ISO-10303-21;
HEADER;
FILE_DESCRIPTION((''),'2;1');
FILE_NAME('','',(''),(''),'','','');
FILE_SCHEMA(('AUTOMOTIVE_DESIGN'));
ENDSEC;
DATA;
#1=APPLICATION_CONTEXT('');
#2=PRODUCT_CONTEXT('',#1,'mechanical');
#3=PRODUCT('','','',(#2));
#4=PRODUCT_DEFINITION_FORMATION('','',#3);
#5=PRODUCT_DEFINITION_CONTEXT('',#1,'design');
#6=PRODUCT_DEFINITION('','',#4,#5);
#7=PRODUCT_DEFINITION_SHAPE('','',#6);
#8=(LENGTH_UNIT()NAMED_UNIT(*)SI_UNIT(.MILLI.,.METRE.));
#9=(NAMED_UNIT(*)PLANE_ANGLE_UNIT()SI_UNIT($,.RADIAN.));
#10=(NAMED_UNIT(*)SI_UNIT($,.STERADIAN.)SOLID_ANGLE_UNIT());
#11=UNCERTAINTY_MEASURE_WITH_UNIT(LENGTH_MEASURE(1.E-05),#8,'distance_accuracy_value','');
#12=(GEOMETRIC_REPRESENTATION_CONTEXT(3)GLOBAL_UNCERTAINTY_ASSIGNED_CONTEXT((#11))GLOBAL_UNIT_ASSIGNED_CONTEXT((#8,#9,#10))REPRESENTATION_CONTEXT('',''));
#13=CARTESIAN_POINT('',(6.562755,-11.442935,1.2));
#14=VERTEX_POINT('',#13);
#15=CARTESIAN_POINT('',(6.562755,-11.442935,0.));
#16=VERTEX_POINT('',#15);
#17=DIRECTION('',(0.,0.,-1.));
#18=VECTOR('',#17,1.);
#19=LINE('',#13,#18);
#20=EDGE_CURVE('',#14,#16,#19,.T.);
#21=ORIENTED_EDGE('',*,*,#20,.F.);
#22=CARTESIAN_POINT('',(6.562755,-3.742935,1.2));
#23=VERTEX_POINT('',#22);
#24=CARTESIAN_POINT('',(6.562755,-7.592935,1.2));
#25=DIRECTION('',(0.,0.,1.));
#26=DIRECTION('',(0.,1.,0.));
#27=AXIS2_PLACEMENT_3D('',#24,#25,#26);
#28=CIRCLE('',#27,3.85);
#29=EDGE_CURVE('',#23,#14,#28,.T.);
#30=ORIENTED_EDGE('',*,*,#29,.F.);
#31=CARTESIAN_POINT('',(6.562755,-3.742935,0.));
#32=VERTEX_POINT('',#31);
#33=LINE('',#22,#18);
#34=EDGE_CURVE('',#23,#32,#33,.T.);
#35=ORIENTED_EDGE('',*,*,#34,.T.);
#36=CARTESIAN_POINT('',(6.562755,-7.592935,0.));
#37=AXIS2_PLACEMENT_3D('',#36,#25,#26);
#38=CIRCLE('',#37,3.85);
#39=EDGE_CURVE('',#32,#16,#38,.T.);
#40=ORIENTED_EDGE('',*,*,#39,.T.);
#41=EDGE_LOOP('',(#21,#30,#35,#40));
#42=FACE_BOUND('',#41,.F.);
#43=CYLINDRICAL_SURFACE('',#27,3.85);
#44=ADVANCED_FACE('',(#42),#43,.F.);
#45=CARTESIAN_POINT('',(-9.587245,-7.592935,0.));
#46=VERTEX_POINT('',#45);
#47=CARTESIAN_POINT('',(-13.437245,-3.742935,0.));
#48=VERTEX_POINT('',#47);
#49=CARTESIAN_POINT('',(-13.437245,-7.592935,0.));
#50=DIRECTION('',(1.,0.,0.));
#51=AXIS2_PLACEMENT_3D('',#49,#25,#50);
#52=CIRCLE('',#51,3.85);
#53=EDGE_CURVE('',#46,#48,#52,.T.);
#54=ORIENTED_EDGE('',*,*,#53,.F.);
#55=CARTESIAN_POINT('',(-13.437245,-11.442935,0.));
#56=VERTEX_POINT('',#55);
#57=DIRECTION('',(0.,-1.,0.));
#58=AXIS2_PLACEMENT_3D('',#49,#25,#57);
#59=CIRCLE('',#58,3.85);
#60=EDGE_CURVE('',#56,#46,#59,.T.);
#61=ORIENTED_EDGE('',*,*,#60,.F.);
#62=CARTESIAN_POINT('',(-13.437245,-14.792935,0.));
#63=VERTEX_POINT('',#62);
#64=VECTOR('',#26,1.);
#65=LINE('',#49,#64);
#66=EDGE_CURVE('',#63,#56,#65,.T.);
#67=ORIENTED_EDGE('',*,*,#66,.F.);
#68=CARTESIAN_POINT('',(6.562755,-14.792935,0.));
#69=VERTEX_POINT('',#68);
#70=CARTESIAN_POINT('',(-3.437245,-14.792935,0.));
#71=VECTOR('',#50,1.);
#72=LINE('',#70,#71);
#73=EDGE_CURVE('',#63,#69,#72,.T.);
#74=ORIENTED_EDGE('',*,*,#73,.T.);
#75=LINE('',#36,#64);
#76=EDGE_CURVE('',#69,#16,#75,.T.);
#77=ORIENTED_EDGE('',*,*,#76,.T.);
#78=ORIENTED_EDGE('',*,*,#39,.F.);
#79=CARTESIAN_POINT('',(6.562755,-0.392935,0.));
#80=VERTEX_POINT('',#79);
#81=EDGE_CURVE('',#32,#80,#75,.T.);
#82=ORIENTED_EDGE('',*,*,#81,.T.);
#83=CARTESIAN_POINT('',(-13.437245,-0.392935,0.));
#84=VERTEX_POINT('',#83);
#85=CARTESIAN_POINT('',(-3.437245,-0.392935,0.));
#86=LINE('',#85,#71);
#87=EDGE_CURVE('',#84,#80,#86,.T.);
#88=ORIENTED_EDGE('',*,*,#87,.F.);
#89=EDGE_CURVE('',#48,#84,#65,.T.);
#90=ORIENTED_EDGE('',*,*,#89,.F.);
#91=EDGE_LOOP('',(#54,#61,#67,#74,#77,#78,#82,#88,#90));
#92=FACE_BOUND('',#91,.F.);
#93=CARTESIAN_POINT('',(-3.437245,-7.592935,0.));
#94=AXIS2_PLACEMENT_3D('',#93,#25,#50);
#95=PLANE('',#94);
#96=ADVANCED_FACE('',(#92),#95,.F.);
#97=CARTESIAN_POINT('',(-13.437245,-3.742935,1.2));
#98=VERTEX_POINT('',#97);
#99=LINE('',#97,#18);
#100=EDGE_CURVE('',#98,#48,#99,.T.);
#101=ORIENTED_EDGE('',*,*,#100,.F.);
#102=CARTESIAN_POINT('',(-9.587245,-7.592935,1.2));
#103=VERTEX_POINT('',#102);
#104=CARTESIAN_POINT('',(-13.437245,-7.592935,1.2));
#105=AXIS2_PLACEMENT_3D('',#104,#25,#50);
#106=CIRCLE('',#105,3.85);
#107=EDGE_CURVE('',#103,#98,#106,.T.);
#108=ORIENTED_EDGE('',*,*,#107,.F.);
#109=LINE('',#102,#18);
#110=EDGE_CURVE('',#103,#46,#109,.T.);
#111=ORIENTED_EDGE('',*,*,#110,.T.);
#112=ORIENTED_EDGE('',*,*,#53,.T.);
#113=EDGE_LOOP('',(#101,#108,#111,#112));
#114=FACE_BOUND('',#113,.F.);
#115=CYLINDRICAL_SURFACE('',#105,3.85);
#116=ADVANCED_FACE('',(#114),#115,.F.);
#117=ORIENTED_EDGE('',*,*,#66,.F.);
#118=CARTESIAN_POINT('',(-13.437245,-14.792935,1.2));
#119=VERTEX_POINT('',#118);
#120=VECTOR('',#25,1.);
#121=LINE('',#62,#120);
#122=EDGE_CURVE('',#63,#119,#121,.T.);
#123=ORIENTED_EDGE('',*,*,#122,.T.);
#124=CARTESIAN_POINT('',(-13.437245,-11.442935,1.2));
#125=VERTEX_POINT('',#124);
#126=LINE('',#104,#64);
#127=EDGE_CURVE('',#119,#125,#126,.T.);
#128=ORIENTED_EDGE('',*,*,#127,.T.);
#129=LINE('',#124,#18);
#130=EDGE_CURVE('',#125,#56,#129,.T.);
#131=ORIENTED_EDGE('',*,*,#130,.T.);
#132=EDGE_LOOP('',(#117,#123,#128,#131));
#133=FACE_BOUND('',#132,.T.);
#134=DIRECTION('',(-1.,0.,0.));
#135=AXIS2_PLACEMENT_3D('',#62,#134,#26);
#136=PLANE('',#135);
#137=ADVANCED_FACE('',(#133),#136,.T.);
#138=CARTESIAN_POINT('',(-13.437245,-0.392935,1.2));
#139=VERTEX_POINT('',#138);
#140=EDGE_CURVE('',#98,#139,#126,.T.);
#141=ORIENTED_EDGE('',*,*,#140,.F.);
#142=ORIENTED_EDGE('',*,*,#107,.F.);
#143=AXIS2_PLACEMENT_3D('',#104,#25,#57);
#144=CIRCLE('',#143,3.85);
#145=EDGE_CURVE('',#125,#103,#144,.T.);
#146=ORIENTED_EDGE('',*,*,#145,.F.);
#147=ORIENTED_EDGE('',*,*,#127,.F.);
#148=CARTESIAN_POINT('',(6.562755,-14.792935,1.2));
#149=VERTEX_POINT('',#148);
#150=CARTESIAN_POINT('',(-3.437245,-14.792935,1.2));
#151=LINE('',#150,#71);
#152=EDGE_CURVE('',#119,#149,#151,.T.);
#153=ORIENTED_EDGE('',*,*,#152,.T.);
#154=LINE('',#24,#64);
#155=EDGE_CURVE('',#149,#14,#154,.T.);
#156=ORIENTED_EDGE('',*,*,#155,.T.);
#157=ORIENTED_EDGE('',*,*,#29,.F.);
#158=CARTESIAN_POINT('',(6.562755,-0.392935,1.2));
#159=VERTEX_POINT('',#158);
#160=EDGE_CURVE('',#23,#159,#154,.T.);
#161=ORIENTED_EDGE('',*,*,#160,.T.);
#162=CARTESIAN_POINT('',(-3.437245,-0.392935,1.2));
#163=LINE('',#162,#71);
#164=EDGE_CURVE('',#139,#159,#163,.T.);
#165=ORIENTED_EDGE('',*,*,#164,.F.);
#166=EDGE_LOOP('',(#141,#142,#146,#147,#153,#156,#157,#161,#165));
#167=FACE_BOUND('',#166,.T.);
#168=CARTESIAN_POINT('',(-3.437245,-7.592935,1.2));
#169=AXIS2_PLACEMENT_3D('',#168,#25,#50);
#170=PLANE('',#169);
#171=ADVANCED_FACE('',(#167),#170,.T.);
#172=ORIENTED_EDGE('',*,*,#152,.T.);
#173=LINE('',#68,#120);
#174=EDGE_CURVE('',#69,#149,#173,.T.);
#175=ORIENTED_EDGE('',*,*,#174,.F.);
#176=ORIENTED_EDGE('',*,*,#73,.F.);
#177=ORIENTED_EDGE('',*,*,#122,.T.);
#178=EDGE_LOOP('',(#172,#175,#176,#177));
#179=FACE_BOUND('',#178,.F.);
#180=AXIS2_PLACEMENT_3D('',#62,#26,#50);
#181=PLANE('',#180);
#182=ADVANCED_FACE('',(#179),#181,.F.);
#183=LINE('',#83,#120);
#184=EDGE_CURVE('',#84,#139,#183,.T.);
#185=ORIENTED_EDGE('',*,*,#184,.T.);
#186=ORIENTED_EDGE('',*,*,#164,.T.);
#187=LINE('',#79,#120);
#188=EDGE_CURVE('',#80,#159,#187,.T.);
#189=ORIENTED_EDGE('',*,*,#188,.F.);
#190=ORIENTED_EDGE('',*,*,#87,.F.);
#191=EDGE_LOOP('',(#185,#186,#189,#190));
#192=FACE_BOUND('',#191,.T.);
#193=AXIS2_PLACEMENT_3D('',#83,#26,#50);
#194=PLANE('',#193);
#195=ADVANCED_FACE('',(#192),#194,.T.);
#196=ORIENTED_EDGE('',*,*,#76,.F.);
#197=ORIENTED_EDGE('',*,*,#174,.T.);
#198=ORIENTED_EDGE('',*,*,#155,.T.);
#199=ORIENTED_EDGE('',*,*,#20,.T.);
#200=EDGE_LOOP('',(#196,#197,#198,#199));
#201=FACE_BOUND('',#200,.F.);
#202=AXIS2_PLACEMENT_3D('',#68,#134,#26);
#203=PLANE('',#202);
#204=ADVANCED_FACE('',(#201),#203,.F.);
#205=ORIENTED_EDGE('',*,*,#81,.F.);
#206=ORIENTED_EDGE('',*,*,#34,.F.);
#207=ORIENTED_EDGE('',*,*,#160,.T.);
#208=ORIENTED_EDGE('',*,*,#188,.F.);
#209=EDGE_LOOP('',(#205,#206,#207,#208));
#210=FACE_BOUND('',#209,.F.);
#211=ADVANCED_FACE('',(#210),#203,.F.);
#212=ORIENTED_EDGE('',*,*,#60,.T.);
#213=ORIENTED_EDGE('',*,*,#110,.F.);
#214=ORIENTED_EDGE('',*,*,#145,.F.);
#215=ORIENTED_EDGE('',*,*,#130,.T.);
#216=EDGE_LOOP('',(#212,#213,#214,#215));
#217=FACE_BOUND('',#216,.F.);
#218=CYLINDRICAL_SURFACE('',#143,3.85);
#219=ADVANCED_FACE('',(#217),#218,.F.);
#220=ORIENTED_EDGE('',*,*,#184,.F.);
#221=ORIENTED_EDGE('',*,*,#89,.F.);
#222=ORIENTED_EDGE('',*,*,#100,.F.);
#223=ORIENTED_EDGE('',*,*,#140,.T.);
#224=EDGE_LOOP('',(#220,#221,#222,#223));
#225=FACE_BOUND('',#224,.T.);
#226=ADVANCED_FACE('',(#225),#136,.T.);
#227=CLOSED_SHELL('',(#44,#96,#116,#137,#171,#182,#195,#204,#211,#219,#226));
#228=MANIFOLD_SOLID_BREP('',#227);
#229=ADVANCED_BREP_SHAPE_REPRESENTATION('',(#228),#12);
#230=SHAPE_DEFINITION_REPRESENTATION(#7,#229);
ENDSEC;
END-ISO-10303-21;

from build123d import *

# Parameters (mm, degrees)
F0_W     = 20
F0_H     = 14.4
F1_DEPTH = 1.2
F3_DEPTH = 25.4


with BuildPart() as f1:
    # F0 (on Top) → F1 (new body)
    with BuildSketch(Plane.XY):
        with Locations((-3.4372447997, -7.5929352783)):
            Rectangle(F0_W, F0_H)
    extrude(amount=F1_DEPTH)

    # F2 (on face) → F3 (cut)
    with BuildSketch(Plane.XY.offset(1.2)):
        with BuildLine():
            ThreePointArc((-13.4372447997, -11.4429352783), (-10.7148836922, -10.3152963859), (-9.5872447997, -7.5929352783))
            ThreePointArc((-9.5872447997, -7.5929352783), (-10.7148836922, -4.8705741708), (-13.4372447997, -3.7429352783))
            Line((-13.4372447997, -3.7429352783), (-13.4372447997, -11.4429352783))
        make_face()
        with BuildLine():
            Line((6.5627552003, -11.4429352783), (6.5627552003, -3.7429352783))
            ThreePointArc((6.5627552003, -3.7429352783), (2.7127552003, -7.5929352783), (6.5627552003, -11.4429352783))
        make_face()
    extrude(amount=-F3_DEPTH, mode=Mode.SUBTRACT)


solid = f1.part
